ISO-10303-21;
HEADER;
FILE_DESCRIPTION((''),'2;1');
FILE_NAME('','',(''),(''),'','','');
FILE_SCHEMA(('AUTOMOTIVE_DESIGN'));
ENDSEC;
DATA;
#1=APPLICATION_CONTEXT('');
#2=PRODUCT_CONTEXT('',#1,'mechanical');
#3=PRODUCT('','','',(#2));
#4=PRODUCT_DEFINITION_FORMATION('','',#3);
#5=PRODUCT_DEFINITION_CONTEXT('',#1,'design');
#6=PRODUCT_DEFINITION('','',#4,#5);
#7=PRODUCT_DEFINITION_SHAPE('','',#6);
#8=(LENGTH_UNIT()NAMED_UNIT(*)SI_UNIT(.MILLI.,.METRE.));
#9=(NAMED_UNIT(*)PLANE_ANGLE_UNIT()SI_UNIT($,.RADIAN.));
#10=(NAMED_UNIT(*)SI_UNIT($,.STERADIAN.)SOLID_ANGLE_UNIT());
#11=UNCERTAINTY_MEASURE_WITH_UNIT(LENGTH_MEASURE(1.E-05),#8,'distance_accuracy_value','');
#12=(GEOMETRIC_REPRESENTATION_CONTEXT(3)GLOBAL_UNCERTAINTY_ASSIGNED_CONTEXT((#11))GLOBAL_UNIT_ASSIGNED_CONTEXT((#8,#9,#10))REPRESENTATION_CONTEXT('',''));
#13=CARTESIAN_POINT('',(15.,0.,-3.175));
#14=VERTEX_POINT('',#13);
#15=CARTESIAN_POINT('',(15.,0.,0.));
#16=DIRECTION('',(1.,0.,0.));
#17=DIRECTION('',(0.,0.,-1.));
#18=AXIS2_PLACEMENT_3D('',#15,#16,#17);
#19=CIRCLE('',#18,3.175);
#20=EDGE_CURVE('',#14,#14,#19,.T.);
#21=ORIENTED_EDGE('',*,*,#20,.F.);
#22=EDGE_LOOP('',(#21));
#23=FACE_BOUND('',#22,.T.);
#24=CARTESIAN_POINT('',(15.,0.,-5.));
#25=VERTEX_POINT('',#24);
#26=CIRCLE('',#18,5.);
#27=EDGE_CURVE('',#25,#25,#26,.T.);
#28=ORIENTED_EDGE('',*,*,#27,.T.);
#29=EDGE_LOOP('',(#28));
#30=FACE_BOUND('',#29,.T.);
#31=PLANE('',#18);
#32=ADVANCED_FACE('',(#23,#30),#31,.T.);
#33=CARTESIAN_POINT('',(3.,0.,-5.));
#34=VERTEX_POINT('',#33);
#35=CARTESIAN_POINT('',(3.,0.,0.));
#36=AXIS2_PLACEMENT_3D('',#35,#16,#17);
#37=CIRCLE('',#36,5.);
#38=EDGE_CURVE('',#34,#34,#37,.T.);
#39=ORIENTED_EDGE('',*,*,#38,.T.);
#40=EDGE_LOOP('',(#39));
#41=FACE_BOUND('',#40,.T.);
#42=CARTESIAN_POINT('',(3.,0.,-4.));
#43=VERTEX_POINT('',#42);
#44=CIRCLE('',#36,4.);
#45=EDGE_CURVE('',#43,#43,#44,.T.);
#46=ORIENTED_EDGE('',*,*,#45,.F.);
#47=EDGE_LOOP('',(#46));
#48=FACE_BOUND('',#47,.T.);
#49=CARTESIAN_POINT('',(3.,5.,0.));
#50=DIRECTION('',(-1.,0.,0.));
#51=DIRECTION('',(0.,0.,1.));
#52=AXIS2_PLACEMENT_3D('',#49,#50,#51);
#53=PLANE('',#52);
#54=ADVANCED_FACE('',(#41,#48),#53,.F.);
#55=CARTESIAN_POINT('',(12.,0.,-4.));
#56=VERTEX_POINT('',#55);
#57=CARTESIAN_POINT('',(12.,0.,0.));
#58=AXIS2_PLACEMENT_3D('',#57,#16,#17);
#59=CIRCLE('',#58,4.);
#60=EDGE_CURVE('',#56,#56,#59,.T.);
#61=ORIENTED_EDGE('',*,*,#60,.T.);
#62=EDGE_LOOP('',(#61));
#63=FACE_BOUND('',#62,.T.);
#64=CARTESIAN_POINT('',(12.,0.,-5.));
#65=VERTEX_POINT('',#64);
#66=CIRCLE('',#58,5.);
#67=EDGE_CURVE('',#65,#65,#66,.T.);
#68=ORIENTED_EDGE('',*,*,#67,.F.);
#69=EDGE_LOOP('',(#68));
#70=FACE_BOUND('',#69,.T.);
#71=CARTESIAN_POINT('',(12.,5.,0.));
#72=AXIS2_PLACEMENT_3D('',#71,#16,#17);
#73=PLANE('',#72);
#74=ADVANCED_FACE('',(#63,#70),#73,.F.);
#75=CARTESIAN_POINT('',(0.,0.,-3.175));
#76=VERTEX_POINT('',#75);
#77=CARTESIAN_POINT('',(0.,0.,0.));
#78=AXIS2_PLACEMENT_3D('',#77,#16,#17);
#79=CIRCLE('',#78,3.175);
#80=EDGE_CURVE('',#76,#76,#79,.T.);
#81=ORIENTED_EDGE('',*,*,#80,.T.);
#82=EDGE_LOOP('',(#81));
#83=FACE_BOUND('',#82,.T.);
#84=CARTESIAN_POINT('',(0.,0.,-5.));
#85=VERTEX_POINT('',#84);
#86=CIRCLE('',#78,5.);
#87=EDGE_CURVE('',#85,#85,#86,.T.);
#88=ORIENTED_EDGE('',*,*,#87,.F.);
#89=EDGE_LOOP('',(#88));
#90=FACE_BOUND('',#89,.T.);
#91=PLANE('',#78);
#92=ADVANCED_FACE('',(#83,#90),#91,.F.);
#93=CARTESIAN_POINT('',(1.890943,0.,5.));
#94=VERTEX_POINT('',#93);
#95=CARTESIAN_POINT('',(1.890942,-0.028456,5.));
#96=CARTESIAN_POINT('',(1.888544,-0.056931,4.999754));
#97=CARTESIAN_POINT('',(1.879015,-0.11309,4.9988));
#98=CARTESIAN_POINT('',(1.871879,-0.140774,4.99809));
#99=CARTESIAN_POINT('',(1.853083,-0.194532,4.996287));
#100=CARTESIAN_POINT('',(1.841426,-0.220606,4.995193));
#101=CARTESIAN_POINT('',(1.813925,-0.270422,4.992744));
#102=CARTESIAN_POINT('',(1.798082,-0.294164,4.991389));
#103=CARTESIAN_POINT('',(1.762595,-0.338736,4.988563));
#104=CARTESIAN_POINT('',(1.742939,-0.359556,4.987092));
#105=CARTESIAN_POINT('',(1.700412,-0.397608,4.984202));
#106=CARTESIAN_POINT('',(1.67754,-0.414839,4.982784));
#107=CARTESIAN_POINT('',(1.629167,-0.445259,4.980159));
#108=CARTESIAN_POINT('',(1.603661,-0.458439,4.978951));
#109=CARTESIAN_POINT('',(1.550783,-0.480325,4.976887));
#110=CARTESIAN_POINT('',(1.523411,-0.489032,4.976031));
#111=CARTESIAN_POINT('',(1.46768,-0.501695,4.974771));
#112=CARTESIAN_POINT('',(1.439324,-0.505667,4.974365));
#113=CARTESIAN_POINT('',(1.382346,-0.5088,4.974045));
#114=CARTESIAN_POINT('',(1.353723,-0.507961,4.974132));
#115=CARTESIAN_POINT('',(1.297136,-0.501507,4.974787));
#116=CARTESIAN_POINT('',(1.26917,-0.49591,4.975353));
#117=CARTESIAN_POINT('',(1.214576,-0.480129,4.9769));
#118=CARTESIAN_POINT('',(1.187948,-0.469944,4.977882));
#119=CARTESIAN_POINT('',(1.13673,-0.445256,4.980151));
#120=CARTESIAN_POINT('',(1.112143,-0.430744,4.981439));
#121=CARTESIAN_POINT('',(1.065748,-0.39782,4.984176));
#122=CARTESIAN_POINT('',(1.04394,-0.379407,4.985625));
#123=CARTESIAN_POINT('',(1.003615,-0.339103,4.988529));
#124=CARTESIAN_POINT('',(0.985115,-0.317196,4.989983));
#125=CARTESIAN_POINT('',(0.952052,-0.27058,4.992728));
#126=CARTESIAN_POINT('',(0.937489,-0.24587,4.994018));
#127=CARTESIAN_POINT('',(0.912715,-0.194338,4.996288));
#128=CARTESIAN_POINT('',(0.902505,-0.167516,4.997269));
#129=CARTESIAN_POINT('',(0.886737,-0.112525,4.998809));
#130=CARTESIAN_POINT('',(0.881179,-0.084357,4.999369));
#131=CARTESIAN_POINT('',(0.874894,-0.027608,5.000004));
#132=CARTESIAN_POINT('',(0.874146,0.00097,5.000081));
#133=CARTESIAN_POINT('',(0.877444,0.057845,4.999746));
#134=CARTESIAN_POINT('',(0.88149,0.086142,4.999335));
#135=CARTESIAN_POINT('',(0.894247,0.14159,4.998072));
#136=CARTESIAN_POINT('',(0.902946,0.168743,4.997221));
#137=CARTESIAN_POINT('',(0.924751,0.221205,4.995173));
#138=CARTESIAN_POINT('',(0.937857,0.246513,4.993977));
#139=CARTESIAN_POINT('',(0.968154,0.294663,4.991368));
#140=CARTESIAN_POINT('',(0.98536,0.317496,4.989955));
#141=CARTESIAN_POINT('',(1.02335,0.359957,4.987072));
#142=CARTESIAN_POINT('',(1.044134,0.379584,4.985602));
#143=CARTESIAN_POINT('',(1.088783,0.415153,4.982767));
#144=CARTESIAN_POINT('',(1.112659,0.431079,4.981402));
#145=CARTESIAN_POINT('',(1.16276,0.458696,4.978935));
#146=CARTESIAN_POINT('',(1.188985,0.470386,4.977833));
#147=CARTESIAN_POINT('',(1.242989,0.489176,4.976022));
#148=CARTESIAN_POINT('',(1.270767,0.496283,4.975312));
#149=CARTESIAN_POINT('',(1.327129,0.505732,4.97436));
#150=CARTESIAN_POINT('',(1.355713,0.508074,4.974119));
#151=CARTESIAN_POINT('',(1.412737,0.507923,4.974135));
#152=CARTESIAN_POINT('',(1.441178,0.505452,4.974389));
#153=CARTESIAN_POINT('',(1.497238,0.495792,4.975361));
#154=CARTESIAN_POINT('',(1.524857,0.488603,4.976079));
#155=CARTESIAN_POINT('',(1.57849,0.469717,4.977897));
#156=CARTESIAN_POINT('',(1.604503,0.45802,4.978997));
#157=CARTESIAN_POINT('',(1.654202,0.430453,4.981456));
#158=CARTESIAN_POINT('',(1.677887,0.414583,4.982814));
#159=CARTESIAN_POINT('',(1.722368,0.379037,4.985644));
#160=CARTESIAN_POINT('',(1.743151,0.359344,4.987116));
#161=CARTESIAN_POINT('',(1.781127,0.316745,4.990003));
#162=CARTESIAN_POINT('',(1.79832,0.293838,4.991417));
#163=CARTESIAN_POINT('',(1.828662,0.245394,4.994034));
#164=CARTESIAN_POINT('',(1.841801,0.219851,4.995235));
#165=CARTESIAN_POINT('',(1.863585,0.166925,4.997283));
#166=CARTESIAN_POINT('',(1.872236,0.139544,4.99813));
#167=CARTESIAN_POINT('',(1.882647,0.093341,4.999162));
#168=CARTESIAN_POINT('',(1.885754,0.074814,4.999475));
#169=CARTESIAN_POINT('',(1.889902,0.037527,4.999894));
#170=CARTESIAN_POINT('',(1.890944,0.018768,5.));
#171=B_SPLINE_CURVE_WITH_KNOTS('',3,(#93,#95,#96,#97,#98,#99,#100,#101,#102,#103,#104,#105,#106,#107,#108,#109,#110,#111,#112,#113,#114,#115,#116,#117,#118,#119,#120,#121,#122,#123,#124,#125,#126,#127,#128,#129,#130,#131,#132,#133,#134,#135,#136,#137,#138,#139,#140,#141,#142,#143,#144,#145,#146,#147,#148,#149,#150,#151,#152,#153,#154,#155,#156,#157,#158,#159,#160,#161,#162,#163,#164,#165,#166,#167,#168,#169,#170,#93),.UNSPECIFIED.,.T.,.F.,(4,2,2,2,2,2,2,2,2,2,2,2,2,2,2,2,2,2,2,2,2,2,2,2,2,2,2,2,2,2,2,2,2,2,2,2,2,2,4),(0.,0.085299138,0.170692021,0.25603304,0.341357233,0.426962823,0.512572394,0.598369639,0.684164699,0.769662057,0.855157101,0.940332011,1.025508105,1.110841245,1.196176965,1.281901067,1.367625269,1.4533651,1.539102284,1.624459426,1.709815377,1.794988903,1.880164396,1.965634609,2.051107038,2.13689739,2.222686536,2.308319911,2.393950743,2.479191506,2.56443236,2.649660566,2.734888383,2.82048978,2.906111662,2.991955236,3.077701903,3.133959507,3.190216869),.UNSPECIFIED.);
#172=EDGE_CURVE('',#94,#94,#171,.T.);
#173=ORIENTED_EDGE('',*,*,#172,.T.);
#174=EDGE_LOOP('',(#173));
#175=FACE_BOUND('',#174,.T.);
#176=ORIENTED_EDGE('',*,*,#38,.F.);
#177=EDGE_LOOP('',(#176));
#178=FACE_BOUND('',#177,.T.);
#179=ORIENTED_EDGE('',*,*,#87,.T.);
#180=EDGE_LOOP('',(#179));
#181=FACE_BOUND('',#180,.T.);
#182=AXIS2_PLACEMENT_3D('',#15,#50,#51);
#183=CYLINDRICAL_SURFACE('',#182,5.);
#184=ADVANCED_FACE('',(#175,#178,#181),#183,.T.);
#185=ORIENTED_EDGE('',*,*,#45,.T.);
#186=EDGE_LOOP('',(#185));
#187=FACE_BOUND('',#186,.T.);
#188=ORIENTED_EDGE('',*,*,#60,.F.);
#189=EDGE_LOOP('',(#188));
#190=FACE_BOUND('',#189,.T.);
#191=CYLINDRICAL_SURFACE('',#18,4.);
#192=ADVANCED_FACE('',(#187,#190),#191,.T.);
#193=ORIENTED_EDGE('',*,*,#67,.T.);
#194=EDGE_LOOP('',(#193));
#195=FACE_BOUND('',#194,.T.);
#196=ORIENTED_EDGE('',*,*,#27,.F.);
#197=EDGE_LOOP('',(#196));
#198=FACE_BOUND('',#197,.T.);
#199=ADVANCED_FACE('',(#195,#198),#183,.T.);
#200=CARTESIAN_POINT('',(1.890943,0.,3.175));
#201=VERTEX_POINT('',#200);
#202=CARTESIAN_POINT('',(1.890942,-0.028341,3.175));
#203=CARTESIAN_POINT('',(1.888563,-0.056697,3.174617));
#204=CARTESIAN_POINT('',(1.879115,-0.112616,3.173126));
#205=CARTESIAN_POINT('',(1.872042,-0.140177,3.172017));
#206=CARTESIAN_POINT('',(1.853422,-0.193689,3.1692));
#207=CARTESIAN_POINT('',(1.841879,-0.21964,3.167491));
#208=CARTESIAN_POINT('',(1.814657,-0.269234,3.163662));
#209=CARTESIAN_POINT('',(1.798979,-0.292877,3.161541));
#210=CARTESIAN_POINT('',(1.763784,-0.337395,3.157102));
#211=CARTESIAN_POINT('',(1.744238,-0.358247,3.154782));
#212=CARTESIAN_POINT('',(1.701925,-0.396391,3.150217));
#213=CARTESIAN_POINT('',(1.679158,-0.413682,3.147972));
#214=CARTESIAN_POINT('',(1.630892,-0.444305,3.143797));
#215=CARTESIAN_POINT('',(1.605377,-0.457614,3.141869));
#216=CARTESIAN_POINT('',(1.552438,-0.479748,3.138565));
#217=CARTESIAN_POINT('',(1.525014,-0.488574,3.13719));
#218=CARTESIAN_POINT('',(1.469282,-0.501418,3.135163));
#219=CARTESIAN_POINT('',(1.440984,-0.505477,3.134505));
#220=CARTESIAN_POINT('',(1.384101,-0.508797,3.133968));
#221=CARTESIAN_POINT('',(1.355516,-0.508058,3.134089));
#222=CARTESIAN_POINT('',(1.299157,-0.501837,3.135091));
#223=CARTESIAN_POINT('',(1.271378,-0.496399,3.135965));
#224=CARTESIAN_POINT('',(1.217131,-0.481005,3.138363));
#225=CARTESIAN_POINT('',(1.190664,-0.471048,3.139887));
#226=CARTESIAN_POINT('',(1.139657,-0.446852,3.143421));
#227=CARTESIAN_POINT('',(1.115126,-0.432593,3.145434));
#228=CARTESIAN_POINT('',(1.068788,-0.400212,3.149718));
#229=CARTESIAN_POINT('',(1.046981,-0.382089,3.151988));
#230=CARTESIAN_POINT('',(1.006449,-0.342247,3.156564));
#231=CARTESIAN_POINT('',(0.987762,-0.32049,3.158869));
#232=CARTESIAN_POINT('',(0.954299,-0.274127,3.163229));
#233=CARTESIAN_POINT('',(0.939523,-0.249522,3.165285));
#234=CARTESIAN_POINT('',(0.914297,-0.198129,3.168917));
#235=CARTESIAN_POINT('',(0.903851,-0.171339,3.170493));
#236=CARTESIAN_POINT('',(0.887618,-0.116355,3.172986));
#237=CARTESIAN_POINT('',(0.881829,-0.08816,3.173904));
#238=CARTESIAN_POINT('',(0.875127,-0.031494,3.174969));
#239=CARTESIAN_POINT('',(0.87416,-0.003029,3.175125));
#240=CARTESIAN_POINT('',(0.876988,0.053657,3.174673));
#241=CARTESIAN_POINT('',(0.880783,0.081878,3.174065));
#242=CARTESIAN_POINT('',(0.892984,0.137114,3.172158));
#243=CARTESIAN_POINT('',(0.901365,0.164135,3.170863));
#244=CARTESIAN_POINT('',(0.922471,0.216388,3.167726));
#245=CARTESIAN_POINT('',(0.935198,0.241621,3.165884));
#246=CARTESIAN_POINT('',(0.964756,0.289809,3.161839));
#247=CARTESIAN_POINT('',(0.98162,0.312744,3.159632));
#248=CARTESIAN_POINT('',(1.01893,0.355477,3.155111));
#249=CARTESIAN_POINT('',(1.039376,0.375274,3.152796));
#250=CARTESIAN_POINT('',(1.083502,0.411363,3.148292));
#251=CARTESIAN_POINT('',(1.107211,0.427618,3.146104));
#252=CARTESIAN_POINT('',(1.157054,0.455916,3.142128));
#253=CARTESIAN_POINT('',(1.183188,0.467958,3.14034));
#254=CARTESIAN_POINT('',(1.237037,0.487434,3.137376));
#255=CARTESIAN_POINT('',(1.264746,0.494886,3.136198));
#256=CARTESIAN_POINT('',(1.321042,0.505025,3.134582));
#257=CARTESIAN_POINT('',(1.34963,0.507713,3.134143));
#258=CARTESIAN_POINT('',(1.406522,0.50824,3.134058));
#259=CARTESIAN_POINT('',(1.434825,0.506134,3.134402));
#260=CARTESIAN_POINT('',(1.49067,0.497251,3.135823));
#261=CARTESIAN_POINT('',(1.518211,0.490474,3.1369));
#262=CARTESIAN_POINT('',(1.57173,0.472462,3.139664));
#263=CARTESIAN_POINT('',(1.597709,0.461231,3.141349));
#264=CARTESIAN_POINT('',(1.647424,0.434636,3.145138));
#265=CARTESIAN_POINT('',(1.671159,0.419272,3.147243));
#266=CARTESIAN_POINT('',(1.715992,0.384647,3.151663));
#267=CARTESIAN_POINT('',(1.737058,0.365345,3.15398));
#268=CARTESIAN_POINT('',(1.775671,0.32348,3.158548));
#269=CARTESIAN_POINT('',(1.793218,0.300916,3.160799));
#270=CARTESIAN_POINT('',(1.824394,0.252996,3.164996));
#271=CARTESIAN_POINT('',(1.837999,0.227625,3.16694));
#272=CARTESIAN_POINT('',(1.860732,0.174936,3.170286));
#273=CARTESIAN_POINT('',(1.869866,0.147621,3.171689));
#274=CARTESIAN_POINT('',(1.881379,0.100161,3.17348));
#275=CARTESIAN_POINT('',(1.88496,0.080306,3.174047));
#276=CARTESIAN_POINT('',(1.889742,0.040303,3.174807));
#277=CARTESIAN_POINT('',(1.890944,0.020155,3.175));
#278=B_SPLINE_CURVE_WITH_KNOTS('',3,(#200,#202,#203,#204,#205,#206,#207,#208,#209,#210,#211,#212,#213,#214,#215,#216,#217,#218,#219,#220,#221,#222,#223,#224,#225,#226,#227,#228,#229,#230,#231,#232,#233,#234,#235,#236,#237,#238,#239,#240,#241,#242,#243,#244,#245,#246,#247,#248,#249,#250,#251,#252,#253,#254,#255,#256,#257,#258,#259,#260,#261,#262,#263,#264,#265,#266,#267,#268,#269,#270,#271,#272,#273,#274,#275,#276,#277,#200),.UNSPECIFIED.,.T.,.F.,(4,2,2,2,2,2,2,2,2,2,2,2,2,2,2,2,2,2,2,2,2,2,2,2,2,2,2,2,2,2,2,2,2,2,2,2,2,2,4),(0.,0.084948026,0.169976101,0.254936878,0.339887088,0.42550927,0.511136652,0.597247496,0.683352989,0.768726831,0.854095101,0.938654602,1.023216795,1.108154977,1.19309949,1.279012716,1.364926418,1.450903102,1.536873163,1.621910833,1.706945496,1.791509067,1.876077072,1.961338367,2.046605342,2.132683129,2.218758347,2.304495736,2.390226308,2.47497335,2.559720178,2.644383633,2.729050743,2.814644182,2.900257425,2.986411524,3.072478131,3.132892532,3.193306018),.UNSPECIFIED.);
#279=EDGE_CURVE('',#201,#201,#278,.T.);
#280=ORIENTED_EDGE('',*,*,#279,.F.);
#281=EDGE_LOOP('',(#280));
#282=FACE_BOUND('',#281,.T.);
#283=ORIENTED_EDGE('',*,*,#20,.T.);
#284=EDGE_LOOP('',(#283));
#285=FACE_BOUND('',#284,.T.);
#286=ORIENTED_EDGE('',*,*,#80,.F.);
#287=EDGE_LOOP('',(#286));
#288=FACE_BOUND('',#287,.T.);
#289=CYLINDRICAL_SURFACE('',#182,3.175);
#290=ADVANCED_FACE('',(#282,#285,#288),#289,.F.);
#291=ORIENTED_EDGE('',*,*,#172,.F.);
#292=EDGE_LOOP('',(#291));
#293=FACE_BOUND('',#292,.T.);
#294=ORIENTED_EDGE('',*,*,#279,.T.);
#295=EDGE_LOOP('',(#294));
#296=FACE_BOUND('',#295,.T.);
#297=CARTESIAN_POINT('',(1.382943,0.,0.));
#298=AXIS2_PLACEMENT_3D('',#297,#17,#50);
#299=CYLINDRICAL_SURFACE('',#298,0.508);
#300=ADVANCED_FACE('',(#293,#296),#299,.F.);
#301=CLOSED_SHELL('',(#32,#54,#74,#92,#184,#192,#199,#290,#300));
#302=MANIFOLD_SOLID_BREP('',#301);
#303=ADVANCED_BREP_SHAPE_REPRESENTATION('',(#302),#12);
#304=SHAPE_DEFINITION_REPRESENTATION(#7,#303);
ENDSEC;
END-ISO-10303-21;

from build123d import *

# Parameters (mm, degrees)
SKETCH1_R           = 5
SKETCH1_R_2         = 3.175
BOSS_EXTRUDE1_DEPTH = 15
SKETCH2_W           = 9
SKETCH2_H           = 1


with BuildPart() as part:
    # Sketch1 → Boss-Extrude1 (new body)
    with BuildSketch(Plane(origin=(0, 0, 0), x_dir=(0, 0, -1), z_dir=(1, 0, 0))):
        Circle(SKETCH1_R)
        Circle(SKETCH1_R_2, mode=Mode.SUBTRACT)
    extrude(amount=BOSS_EXTRUDE1_DEPTH)

    # Sketch2 → Cut-Revolve1 (revolve, cut)
    with BuildSketch(Plane.XY, mode=Mode.PRIVATE) as cut_revolve1_sk:
        with Locations((7.5, 4.5)):
            Rectangle(SKETCH2_W, SKETCH2_H)
    revolve(cut_revolve1_sk.sketch.rotate(Axis((15, 0, 0), (-1, 0, 0)), 90), axis=Axis((15, 0, 0), (-1, 0, 0)), mode=Mode.SUBTRACT)

    # Sketch3 → #60 (0.04) Diameter Hole1 (revolve, cut)
    with BuildSketch(Plane.YZ.offset(1.382942836)):
        Polygon((0, 0), (0, 25.705237194), (0.508, 25.4), (0.508, 0), align=None)
    revolve(axis=Axis((1.382942836, 0, -6.35), (0, 0, 1)), mode=Mode.SUBTRACT)


solid = part.part
